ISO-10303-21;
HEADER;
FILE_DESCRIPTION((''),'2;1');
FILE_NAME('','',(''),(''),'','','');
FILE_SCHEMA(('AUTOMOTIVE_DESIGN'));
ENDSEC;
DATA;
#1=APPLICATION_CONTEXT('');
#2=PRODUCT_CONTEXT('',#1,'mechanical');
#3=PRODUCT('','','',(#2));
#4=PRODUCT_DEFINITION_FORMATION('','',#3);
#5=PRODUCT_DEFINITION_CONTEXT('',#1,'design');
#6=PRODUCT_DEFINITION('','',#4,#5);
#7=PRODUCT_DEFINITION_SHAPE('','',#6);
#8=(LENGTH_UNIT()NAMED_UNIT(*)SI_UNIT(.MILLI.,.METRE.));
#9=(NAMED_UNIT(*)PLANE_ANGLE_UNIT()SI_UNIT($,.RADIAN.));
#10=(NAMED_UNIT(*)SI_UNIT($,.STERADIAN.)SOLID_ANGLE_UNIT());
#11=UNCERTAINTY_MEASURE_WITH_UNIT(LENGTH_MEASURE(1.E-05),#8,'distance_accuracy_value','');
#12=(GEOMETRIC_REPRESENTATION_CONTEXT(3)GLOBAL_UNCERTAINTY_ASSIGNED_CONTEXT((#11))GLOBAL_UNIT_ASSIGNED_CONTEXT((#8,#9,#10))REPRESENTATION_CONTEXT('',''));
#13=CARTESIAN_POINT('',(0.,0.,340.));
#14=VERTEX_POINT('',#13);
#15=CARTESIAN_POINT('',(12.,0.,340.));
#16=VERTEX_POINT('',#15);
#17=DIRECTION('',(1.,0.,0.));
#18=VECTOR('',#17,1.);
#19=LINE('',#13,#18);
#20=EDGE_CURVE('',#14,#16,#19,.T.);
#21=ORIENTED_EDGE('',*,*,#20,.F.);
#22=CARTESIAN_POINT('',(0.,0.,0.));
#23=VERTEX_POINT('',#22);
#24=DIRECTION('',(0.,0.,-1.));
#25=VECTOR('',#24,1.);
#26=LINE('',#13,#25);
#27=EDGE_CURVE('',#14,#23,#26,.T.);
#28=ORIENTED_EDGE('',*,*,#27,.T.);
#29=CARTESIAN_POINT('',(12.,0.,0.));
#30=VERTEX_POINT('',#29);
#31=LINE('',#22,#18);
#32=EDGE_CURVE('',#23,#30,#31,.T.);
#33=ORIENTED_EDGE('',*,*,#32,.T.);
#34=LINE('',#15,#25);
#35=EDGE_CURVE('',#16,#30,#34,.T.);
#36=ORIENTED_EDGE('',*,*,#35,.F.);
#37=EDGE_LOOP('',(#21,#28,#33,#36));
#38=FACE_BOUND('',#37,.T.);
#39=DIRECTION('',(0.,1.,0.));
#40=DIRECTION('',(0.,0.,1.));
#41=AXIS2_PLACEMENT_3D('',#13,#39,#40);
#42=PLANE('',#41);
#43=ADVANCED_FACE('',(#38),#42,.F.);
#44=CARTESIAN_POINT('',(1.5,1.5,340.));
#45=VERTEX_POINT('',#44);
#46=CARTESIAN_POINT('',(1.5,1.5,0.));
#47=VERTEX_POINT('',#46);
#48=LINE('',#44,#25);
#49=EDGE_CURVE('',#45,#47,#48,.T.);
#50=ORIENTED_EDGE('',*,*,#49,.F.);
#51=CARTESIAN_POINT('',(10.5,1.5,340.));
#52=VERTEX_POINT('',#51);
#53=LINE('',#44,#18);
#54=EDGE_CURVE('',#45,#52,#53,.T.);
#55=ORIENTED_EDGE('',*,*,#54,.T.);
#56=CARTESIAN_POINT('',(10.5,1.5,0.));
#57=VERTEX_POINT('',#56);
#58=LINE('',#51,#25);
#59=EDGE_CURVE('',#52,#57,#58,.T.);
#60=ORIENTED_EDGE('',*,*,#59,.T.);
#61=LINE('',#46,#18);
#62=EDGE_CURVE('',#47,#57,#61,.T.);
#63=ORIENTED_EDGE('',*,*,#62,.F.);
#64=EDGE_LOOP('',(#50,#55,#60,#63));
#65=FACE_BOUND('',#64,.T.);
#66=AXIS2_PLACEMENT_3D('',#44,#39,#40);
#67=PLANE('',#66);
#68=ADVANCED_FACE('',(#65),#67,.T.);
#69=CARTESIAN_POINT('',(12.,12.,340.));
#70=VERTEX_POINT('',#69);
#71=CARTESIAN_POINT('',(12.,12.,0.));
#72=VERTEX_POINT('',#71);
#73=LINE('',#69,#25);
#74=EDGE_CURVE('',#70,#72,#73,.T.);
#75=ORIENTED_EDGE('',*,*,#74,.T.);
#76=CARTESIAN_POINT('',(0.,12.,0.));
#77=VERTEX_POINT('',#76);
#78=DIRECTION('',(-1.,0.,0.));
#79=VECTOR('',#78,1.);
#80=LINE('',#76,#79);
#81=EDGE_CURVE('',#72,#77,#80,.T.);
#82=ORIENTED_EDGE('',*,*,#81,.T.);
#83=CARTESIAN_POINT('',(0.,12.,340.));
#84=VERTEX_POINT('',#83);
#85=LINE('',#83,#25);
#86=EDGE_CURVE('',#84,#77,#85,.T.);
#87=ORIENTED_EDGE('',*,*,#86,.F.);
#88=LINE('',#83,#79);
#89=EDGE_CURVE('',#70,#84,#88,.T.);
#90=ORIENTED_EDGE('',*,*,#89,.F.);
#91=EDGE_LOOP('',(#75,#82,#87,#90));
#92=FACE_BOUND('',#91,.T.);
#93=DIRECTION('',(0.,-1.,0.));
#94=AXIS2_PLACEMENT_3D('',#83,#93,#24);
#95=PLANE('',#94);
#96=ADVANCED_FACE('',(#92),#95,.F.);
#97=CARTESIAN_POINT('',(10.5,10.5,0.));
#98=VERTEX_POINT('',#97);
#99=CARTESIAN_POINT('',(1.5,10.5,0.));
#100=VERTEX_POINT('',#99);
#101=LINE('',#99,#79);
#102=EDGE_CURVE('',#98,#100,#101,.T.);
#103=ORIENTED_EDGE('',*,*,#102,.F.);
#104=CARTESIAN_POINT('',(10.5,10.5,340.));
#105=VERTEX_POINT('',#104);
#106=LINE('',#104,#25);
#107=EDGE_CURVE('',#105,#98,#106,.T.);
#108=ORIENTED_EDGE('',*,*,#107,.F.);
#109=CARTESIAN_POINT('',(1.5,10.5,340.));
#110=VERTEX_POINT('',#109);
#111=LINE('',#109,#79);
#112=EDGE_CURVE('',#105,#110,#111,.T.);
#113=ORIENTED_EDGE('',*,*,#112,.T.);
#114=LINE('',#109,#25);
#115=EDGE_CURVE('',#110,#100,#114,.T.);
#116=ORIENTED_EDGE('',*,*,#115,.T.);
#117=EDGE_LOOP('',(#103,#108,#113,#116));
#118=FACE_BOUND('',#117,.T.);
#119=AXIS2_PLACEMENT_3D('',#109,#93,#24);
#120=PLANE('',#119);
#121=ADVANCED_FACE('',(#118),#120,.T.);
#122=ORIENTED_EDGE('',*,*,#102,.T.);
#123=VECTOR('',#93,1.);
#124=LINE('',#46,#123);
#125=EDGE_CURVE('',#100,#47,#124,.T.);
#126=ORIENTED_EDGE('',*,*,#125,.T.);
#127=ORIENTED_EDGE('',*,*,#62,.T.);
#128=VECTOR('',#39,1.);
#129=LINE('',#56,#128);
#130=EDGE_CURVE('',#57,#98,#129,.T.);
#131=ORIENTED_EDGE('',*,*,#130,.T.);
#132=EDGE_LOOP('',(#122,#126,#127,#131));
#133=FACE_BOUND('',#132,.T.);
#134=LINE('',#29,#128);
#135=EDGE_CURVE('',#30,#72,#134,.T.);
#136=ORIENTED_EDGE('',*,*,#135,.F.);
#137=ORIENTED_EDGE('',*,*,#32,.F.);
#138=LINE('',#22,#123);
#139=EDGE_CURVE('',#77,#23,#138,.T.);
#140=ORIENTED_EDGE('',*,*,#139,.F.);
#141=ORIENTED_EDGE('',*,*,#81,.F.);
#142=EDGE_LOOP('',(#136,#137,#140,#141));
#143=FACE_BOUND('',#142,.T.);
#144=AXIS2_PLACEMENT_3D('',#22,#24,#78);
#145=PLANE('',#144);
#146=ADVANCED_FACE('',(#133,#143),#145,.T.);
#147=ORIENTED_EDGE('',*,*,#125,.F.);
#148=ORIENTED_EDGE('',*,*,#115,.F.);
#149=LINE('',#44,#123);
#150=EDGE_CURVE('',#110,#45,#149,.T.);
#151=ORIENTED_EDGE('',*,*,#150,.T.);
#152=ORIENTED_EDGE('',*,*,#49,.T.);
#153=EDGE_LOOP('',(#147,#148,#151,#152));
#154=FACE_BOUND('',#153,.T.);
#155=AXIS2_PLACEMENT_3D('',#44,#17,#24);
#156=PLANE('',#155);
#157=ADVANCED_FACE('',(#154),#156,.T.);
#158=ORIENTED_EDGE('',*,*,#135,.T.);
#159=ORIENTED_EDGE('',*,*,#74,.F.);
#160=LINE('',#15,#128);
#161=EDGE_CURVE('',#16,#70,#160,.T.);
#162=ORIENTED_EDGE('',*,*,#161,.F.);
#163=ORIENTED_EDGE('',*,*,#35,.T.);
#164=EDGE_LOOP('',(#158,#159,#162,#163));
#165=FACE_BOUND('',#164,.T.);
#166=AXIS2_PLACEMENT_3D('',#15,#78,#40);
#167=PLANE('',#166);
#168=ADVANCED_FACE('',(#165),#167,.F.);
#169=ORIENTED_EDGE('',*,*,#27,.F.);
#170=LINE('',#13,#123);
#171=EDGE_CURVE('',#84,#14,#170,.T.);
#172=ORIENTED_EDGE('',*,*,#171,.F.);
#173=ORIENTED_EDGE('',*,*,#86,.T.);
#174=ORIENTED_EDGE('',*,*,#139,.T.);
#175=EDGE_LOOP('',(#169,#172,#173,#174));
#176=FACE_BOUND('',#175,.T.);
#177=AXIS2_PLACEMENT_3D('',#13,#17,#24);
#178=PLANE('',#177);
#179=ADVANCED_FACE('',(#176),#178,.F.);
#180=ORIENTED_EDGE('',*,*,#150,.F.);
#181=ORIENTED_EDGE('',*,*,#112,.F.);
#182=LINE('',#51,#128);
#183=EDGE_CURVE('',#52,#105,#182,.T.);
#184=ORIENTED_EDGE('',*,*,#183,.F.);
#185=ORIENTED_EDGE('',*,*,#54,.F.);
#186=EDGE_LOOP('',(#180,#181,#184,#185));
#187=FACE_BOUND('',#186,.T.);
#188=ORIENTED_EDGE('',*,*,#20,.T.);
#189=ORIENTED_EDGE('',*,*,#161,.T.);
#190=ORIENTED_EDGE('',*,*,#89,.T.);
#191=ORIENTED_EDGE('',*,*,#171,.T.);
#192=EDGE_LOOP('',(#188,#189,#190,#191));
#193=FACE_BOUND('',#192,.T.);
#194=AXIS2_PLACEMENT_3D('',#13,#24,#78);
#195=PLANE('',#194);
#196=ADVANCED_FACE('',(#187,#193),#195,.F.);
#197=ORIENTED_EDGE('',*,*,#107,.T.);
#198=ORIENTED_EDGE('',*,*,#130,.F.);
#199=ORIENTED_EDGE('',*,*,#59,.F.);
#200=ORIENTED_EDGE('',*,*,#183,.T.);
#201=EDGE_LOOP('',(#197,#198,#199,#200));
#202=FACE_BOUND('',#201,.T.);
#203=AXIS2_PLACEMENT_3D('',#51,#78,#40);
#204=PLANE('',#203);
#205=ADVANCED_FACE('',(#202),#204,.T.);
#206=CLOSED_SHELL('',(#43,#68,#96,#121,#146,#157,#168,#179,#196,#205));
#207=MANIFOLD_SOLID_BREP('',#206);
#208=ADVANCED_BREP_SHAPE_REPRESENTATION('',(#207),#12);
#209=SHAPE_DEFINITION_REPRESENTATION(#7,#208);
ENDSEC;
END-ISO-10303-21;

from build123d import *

# Parameters (mm, degrees)
SKETCH1_W           = 12
SKETCH1_H           = 12
SKETCH1_W_2         = 9
SKETCH1_H_2         = 9
BOSS_EXTRUDE1_DEPTH = 340


with BuildPart() as part:
    # Sketch1 → Boss-Extrude1 (new body)
    with BuildSketch(Plane.XY):
        with Locations((6, 6)):
            Rectangle(SKETCH1_W, SKETCH1_H)
        with Locations((6, 6)):
            Rectangle(SKETCH1_W_2, SKETCH1_H_2, mode=Mode.SUBTRACT)
    extrude(amount=BOSS_EXTRUDE1_DEPTH)


solid = part.part
